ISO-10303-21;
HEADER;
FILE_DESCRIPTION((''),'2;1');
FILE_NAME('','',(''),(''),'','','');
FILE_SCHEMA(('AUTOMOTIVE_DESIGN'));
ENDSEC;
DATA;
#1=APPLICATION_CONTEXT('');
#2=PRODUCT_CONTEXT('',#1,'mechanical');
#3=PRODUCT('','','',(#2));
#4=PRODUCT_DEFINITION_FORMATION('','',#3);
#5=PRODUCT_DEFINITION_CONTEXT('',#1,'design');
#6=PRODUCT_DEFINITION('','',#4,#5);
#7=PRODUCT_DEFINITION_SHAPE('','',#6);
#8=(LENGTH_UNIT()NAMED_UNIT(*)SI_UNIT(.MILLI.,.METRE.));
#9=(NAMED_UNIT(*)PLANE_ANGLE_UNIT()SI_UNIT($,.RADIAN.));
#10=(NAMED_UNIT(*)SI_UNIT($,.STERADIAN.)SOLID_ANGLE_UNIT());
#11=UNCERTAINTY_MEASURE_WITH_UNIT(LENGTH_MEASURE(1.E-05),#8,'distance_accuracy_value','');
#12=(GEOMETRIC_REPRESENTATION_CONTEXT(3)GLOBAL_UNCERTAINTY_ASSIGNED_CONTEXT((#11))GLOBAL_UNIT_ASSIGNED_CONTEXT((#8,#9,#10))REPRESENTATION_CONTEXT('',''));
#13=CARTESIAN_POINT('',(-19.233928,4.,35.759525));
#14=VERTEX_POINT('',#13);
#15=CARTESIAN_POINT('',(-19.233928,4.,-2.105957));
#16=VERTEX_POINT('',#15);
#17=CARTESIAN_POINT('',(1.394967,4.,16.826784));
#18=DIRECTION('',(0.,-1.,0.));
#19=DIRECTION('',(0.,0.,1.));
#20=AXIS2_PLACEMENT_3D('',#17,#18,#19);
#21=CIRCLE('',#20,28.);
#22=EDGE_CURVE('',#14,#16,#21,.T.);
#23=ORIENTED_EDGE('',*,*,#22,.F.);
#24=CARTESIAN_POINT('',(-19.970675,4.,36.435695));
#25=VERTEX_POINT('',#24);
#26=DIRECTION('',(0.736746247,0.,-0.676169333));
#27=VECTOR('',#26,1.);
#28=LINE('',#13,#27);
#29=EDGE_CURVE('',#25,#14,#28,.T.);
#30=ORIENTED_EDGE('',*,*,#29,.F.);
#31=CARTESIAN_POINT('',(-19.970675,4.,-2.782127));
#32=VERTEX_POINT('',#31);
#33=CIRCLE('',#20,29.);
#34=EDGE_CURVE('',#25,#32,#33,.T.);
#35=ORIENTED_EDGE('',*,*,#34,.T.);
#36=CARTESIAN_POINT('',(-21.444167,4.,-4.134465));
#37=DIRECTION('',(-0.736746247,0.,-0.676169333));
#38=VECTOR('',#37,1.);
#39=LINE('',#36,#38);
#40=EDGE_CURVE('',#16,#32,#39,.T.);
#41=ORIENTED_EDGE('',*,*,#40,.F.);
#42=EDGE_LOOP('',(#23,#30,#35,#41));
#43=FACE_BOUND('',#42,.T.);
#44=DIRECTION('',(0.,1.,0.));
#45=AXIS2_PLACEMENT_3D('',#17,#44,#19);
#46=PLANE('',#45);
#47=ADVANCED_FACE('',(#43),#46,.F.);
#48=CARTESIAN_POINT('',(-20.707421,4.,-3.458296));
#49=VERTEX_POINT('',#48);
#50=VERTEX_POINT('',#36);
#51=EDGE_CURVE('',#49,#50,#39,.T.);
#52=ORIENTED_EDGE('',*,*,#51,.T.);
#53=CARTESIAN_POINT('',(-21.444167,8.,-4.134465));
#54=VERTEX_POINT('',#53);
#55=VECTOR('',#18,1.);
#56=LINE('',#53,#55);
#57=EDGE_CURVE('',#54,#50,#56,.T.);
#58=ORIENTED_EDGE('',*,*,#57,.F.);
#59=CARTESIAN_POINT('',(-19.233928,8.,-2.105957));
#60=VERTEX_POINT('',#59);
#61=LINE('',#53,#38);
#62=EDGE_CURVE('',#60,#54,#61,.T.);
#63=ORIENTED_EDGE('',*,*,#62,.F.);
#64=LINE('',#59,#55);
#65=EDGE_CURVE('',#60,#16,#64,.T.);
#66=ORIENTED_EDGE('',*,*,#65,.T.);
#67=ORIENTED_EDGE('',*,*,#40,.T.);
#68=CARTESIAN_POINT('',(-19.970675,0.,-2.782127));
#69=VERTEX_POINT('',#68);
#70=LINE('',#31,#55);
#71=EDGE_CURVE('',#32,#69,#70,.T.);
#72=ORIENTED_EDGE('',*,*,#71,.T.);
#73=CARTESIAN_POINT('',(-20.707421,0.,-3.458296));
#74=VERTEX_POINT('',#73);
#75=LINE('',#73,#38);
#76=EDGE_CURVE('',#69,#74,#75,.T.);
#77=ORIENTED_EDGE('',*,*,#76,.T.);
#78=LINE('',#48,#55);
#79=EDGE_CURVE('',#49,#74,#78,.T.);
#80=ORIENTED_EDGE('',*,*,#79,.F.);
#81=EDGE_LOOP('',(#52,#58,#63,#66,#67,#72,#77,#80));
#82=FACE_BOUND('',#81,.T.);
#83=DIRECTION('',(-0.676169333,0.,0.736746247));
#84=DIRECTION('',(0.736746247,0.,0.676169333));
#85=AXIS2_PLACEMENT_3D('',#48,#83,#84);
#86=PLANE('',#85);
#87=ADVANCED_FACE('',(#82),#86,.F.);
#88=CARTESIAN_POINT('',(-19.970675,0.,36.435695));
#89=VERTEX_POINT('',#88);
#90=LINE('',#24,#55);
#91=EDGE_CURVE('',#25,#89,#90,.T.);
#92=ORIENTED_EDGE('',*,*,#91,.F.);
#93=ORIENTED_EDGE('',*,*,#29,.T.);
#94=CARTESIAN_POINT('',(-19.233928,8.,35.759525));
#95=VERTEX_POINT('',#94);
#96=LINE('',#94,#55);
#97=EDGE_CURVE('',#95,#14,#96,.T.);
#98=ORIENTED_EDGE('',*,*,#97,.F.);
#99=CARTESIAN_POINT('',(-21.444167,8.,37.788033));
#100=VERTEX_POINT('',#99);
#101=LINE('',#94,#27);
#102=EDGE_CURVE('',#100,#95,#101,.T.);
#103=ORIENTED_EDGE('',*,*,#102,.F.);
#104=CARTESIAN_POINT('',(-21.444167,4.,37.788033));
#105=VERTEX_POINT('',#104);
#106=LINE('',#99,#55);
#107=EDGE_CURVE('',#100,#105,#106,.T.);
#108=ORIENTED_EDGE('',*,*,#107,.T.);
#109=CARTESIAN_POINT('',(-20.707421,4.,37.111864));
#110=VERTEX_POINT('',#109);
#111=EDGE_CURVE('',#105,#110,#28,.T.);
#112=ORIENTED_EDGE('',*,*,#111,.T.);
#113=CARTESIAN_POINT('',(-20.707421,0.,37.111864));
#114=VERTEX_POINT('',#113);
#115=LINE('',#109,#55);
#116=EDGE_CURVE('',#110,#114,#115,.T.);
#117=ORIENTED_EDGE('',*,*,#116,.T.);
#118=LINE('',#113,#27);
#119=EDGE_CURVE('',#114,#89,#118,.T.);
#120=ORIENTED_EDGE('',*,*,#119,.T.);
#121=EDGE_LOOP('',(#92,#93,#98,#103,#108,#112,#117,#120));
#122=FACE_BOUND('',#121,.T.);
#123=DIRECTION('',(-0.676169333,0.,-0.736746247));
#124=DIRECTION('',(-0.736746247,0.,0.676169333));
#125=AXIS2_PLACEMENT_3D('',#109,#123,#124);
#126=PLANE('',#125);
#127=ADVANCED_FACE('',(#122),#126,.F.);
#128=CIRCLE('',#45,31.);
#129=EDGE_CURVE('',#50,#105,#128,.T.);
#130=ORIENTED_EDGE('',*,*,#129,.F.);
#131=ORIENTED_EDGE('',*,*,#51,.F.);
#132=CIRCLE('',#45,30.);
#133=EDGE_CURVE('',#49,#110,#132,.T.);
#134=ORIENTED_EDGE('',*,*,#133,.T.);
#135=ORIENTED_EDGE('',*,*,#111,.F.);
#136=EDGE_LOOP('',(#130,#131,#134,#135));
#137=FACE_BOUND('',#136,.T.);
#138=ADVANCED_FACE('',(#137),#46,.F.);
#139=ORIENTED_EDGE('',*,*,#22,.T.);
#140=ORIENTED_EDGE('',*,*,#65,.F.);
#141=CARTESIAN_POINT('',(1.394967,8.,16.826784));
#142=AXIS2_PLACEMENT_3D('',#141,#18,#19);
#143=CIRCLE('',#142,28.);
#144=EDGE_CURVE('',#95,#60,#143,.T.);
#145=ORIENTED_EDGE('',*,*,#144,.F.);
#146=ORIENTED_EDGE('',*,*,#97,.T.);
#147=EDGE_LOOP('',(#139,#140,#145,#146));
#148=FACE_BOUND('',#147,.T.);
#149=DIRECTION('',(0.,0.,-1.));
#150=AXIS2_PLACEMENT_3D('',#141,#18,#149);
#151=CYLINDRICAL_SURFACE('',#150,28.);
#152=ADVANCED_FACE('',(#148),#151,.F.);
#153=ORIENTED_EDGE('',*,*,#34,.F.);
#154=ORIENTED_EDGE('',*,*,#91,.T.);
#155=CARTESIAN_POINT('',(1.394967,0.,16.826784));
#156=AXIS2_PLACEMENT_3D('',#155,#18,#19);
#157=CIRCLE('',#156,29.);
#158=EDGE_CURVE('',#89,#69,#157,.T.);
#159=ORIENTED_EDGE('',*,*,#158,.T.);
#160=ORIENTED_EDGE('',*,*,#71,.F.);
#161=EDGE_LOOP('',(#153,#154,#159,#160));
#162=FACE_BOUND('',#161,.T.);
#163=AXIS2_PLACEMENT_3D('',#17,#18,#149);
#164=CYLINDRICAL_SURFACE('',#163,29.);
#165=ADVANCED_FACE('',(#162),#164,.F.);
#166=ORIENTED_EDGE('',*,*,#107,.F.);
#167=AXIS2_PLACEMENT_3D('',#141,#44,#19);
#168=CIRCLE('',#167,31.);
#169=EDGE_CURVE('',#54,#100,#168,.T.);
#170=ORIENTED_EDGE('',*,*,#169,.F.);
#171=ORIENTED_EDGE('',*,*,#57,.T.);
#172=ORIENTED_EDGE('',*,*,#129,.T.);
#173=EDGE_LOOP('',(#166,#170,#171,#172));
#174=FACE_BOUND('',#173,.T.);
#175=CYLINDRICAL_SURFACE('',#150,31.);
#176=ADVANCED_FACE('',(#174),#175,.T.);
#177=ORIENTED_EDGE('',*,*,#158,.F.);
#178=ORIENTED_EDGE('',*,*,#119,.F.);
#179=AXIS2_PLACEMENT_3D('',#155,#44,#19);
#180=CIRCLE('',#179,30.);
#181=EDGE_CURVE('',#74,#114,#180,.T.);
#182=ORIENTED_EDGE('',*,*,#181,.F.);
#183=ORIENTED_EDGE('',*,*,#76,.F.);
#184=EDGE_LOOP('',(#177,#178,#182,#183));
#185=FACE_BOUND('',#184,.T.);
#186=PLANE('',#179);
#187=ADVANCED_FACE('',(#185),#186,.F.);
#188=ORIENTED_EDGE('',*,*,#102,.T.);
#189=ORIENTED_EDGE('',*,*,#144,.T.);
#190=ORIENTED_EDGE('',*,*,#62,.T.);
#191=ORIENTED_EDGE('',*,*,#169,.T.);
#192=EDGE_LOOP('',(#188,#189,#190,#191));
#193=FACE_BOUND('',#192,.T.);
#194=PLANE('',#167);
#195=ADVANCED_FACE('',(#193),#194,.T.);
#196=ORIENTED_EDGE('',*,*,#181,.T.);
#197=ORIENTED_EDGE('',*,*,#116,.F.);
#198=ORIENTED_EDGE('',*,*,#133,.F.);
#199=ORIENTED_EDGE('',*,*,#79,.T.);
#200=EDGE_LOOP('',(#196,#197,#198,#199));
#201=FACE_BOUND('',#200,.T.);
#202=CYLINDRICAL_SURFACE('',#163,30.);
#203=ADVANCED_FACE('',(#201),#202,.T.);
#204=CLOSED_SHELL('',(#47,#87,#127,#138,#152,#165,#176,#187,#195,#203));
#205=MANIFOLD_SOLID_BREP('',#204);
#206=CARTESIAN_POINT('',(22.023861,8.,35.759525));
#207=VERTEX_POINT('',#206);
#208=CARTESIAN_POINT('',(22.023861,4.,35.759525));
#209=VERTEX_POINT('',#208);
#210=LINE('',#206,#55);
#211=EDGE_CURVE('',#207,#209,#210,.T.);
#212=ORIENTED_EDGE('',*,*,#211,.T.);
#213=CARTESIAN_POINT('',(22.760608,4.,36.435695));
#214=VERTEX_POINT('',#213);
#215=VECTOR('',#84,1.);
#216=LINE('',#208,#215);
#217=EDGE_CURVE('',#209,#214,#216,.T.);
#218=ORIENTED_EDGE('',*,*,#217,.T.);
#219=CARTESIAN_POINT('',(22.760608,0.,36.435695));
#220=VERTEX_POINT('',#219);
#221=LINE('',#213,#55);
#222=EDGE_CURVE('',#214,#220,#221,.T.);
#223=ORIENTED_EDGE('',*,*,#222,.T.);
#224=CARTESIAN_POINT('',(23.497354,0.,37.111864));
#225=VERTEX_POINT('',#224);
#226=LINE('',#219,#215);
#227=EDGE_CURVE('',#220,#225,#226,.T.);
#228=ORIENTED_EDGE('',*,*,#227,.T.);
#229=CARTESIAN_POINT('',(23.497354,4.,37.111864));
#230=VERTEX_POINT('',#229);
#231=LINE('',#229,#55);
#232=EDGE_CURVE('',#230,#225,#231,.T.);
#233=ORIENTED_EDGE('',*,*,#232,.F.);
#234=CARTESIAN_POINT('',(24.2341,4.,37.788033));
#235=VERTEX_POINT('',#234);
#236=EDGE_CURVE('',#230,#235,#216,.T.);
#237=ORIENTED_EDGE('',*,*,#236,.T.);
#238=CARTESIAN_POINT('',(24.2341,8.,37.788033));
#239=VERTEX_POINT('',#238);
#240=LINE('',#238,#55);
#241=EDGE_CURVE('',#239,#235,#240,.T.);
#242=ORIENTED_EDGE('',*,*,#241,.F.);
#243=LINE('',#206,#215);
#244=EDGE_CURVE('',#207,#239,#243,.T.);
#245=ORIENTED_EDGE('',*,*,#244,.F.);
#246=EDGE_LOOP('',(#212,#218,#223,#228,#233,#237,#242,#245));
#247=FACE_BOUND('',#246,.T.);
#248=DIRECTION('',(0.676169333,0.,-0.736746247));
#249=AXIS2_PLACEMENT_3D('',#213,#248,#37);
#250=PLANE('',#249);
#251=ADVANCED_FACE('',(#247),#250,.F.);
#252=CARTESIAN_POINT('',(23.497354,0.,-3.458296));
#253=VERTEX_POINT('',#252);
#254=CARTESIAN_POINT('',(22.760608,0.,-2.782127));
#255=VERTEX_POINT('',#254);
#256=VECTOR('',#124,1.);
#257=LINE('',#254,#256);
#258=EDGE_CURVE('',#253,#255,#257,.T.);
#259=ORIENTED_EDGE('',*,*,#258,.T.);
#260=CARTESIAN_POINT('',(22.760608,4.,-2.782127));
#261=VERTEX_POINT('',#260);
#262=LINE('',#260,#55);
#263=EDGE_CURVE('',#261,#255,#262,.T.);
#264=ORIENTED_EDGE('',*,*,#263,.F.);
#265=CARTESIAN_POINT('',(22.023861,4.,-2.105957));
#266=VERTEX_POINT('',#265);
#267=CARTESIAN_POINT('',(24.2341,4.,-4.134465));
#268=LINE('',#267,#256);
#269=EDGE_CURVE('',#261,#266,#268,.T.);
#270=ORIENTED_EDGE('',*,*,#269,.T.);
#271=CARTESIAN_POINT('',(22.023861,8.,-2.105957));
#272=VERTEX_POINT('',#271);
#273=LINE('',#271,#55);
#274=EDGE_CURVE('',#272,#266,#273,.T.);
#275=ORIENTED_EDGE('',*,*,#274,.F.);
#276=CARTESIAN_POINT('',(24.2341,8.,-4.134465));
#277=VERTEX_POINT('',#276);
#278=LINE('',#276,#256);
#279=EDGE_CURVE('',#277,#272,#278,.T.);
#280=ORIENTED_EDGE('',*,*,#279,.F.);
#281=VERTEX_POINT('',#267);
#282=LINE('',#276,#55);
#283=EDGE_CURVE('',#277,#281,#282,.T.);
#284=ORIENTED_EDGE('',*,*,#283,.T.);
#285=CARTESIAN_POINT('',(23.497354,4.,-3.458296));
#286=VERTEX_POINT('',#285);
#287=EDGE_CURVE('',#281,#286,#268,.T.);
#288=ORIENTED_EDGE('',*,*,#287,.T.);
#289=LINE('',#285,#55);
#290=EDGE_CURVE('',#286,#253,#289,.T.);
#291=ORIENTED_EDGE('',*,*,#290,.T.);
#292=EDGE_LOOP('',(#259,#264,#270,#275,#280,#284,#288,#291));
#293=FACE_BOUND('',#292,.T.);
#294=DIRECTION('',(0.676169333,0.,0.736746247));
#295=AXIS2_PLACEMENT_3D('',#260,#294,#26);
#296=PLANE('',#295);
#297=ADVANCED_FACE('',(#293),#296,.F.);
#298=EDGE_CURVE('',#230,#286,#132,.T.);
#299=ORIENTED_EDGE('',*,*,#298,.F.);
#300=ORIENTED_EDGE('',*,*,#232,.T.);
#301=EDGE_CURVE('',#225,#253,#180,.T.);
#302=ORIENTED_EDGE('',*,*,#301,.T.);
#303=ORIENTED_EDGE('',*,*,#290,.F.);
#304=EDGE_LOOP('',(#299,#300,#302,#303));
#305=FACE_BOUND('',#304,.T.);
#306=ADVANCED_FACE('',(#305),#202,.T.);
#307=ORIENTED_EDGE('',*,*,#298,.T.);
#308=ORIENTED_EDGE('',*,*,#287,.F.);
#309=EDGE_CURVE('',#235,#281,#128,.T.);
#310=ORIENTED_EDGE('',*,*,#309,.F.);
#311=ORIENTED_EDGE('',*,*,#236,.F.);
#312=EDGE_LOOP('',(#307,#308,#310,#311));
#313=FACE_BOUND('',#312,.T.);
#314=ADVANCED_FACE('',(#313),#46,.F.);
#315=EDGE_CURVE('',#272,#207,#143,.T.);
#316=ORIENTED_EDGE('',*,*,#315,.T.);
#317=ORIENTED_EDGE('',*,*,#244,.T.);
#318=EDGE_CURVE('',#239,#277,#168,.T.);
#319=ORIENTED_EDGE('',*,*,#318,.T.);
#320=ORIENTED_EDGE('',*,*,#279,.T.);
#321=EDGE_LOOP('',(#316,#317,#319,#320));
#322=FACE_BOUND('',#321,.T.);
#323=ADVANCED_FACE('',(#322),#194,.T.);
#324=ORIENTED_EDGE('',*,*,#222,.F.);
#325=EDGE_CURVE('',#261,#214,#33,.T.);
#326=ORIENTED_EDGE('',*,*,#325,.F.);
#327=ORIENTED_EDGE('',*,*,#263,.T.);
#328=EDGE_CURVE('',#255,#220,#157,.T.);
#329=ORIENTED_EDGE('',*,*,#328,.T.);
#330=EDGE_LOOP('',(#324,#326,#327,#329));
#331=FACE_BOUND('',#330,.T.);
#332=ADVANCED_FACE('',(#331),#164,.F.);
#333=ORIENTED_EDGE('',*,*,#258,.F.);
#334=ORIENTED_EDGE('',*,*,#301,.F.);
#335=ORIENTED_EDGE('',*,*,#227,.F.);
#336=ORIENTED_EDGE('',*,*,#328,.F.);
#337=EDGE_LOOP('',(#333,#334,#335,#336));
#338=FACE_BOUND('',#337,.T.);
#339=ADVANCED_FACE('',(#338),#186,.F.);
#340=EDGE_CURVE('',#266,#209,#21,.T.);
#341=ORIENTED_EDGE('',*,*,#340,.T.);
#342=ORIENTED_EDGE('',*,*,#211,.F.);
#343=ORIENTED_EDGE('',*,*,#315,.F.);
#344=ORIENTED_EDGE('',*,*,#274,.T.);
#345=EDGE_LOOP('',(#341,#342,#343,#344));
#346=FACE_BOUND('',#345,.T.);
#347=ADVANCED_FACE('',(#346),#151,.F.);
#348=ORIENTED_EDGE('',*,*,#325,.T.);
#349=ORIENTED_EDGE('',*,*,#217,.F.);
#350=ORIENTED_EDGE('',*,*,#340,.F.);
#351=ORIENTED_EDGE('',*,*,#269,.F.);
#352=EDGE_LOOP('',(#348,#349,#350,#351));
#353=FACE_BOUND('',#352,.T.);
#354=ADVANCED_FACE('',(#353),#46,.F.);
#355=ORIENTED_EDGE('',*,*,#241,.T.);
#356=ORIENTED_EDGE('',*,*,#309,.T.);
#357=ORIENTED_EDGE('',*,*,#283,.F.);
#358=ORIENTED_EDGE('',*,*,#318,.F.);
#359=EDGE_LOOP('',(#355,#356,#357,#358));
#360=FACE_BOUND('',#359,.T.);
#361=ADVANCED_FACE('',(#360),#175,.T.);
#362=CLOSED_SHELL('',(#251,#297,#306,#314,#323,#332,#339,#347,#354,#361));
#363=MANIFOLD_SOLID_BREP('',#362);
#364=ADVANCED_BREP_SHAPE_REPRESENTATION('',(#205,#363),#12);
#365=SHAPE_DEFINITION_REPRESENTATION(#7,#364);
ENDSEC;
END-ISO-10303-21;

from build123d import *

# Parameters (mm, degrees)
BOSS_EXTRUDE1_DEPTH   = 4
BOSS_EXTRUDE1_2_DEPTH = 4
BOSS_EXTRUDE2_DEPTH   = 4


with BuildPart() as part:
    # Sketch1 → Boss-Extrude1 (new body)
    with BuildSketch(Plane(origin=(0, 0, 0), x_dir=(1, 0, 0), z_dir=(0, 1, 0))):
        with BuildLine():
            Line((-20.707420854, 3.458295902), (-19.970674607, 2.782126569))
            ThreePointArc((-19.970674607, 2.782126569), (-27.605033442, -16.8267841), (-19.970674607, -36.435694769))
            Line((-19.970674607, -36.435694769), (-20.707420854, -37.111864103))
            ThreePointArc((-20.707420854, -37.111864103), (-28.605033442, -16.8267841), (-20.707420854, 3.458295902))
        make_face()
    extrude(amount=BOSS_EXTRUDE1_DEPTH)



with BuildPart() as body_2:
    # Sketch1 → Boss-Extrude1 2 (new body)
    with BuildSketch(Plane(origin=(0, 0, 0), x_dir=(1, 0, 0), z_dir=(0, 1, 0))):
        with BuildLine():
            Line((22.760607722, -36.435694769), (23.497353969, -37.111864103))
            ThreePointArc((23.497353969, -37.111864103), (31.394966558, -16.8267841), (23.497353969, 3.458295902))
            Line((23.497353969, 3.458295902), (22.760607722, 2.782126569))
            ThreePointArc((22.760607722, 2.782126569), (30.394966558, -16.8267841), (22.760607722, -36.435694769))
        make_face()
    extrude(amount=BOSS_EXTRUDE1_2_DEPTH)


with BuildPart() as part_1:
    add(part.part)

    add(body_2.part)  # Boss-Extrude2 merges body 2
    # Sketch2 → Boss-Extrude2 (add)
    with BuildSketch(Plane(origin=(0, 4, 0), x_dir=(1, 0, 0), z_dir=(0, 1, 0))):
        with BuildLine():
            Line((-21.444167101, 4.134465235), (-19.23392836, 2.105957235))
            ThreePointArc((-19.23392836, 2.105957235), (-26.605033442, -16.8267841), (-19.23392836, -35.759525436))
            Line((-19.23392836, -35.759525436), (-21.444167101, -37.788033436))
            ThreePointArc((-21.444167101, -37.788033436), (-29.605033442, -16.8267841), (-21.444167101, 4.134465235))
        make_face()
        with BuildLine():
            Line((22.023861475, -35.759525436), (24.234100216, -37.788033436))
            ThreePointArc((24.234100216, -37.788033436), (32.394966558, -16.8267841), (24.234100216, 4.134465235))
            Line((24.234100216, 4.134465235), (22.023861475, 2.105957235))
            ThreePointArc((22.023861475, 2.105957235), (29.394966558, -16.8267841), (22.023861475, -35.759525436))
        make_face()
    extrude(amount=BOSS_EXTRUDE2_DEPTH)


solid = part_1.part
